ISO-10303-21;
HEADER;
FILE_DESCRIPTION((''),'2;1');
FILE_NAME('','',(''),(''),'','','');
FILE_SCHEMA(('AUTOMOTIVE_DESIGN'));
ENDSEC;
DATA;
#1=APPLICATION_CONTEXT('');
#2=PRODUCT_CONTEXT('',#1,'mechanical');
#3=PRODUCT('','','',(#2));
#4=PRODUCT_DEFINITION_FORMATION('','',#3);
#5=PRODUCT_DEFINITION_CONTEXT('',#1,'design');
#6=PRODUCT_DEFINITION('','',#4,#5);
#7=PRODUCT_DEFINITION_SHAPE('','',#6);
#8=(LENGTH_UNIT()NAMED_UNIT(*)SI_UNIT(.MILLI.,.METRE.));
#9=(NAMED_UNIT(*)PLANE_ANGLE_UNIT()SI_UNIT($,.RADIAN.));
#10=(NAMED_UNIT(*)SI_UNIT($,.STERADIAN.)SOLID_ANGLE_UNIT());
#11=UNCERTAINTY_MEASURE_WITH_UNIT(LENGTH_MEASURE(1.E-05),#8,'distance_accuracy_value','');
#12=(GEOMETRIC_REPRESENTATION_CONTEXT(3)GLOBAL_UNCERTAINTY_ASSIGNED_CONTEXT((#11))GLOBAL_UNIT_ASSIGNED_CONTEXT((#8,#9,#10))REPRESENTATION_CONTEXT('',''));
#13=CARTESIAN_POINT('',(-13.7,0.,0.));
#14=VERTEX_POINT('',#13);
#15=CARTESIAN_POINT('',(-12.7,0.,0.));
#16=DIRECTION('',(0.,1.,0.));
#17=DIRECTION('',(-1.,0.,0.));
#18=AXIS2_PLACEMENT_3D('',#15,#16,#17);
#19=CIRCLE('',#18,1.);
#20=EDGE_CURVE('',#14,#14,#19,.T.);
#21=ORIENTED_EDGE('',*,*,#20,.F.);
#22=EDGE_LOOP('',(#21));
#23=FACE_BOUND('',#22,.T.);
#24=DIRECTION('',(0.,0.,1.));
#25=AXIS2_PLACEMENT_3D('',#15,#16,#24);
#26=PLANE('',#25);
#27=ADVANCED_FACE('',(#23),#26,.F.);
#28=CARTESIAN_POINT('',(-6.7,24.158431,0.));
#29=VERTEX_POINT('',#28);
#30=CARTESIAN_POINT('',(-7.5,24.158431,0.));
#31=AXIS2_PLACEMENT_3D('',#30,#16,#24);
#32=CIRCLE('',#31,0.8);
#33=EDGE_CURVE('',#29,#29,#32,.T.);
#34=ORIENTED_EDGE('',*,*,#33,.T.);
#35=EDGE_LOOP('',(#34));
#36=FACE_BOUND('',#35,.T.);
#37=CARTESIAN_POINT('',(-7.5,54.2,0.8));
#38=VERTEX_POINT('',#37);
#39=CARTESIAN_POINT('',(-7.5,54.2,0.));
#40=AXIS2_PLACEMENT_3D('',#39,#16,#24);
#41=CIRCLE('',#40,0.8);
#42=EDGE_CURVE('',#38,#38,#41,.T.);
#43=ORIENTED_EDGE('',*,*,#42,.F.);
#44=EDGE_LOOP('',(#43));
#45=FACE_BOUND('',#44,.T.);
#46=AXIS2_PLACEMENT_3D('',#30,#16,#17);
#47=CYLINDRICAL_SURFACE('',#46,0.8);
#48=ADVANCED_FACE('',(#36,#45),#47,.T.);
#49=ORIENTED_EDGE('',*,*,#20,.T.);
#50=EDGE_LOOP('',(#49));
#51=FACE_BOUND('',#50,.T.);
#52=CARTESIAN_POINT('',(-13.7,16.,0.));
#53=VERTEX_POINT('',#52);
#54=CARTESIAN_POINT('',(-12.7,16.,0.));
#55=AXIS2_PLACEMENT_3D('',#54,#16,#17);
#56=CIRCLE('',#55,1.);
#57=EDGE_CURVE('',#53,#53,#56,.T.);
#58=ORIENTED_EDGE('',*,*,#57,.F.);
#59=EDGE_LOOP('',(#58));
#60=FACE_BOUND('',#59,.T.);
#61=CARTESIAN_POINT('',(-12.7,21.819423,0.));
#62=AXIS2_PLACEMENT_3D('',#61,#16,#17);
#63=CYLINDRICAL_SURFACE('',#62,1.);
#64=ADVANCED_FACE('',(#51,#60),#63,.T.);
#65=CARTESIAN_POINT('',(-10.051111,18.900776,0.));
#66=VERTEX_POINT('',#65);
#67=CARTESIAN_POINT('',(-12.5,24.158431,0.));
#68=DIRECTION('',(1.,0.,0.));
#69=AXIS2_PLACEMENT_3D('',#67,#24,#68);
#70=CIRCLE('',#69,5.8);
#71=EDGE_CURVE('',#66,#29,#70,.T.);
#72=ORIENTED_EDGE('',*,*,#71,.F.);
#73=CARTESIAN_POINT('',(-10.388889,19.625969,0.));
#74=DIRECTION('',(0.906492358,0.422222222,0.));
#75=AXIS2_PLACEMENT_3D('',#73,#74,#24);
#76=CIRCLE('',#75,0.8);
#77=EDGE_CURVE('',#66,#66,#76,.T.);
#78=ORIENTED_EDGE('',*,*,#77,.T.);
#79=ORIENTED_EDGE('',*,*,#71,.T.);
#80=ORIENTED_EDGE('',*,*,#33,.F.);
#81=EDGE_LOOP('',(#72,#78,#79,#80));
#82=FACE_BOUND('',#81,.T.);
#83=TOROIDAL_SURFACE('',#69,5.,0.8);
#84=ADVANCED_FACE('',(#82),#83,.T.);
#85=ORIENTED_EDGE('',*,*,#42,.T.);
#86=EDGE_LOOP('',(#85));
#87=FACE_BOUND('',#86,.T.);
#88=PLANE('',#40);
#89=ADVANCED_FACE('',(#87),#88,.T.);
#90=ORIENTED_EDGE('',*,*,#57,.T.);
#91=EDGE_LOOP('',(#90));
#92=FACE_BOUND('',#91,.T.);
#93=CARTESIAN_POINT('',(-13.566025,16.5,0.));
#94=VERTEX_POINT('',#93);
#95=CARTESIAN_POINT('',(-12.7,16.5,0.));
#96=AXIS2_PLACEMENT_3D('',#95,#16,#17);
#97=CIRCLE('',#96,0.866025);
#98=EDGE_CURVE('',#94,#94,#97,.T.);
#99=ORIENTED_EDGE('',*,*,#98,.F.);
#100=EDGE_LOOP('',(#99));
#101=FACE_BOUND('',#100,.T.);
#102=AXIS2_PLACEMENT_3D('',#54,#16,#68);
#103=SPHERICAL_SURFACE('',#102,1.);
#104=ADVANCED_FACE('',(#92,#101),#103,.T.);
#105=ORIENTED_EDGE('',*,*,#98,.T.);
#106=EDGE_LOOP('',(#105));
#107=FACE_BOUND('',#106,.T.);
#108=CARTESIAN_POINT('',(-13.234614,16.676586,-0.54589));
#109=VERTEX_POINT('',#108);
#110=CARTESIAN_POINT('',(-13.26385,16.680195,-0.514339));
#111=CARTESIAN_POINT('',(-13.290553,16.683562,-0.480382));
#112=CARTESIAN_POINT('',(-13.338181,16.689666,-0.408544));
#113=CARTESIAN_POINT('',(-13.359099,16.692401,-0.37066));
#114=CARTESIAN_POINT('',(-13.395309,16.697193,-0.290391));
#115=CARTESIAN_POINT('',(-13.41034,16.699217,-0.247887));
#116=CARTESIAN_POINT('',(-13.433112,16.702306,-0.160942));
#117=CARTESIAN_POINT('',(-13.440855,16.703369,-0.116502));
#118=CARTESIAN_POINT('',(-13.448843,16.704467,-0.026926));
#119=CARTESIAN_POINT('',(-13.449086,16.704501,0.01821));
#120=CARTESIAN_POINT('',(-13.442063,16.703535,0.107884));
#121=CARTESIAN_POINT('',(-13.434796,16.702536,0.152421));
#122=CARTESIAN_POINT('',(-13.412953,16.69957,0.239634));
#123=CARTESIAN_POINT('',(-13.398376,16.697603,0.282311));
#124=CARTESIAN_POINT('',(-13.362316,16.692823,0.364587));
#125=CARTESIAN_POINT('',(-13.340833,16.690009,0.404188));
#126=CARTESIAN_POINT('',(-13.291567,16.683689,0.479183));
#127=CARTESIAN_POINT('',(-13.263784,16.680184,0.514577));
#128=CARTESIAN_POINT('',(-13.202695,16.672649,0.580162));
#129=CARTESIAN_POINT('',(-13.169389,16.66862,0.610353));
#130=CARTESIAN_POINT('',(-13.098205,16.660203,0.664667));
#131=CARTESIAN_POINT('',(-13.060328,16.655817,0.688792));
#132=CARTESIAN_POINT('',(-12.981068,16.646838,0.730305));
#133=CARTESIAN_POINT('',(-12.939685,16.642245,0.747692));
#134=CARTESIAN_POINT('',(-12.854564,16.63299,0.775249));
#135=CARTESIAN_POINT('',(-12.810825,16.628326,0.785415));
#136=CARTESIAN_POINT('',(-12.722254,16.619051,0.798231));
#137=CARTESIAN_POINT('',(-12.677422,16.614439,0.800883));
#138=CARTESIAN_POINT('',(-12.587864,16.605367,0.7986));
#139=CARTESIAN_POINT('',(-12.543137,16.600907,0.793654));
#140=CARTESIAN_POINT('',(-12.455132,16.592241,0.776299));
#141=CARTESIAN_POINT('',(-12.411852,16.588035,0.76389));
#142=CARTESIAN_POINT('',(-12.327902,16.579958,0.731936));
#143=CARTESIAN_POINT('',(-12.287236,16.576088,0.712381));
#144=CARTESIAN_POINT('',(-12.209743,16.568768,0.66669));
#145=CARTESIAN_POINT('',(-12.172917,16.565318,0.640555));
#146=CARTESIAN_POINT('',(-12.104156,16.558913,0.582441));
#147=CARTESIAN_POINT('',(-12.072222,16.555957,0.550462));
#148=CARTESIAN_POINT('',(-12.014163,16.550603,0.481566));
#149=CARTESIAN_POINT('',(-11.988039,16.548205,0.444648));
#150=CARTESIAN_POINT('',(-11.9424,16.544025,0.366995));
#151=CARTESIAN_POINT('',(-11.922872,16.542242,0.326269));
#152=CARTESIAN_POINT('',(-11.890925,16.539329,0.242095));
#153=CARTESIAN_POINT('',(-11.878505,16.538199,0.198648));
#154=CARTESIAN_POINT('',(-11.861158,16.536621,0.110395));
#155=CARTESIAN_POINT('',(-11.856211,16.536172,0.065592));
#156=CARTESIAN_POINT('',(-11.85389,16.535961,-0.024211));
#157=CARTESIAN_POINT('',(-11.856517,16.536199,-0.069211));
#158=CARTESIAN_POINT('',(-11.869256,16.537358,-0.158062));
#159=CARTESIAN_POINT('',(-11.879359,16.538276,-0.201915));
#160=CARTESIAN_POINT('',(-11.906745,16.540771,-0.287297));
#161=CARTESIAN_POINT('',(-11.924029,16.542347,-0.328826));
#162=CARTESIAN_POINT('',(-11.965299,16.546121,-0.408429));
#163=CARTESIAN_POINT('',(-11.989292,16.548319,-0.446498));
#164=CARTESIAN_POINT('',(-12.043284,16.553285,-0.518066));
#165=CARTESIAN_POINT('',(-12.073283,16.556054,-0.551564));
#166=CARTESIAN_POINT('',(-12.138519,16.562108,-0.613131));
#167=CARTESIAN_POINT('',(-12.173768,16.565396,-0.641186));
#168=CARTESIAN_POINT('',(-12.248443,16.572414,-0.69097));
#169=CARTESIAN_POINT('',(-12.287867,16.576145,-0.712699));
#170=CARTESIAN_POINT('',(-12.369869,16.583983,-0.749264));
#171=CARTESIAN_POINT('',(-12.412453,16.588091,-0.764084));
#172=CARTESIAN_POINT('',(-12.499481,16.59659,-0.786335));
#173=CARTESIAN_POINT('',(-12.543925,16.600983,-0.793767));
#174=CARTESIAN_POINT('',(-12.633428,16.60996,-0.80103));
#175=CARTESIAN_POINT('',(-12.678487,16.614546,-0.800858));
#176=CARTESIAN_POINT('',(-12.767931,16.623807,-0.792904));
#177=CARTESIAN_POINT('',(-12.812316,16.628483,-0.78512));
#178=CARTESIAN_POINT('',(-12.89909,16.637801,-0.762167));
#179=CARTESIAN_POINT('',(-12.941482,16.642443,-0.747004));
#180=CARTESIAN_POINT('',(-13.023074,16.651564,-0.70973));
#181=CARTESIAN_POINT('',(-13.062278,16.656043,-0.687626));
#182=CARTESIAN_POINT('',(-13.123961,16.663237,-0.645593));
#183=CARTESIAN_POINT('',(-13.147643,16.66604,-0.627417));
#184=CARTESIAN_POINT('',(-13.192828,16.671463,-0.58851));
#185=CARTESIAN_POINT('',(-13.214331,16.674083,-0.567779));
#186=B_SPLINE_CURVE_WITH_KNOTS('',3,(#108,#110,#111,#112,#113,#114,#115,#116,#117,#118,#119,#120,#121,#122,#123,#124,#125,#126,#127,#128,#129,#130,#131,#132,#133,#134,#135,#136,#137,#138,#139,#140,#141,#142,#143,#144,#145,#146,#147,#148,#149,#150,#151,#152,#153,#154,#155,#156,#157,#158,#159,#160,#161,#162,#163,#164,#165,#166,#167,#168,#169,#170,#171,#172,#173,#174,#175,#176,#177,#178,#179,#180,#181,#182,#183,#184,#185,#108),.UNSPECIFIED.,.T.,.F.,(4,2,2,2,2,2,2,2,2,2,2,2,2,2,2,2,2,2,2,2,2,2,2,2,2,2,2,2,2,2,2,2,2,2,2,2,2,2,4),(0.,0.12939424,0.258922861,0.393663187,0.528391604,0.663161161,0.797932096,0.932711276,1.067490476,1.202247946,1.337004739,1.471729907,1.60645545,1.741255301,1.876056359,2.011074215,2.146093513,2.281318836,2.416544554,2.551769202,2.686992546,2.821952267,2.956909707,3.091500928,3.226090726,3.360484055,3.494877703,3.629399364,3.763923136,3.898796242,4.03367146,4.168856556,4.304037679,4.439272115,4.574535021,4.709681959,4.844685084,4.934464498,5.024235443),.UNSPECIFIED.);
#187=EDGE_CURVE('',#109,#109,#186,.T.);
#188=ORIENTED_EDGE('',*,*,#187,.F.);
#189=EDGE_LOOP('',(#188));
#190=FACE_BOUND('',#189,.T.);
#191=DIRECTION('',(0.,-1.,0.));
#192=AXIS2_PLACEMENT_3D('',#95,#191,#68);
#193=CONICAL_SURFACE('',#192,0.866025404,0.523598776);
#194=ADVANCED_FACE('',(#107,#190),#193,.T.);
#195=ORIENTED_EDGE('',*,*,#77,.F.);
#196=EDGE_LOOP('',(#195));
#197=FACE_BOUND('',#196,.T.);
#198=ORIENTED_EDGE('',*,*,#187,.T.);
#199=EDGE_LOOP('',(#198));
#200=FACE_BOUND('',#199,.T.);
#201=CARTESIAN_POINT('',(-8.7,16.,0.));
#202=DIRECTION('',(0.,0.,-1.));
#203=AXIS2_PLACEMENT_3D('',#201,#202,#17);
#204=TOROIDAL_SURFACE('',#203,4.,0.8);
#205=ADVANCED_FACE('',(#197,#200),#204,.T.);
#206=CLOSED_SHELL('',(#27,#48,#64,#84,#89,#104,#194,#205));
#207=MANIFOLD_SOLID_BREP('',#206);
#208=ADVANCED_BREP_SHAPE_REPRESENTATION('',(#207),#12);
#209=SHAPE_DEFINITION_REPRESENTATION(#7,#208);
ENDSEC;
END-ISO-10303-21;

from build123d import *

# Parameters (mm, degrees)
SKETCH2_R = 0.8


with BuildPart() as part:
    # Sweep1: sweep along a path in Sketch1
    with BuildLine(Plane.XY) as sweep1_path:
        Line((-7.5, 54.2), (-7.5, 24.158431222))
        ThreePointArc((-7.5, 24.158431222), (-8.283629786, 21.471011972), (-10.388888889, 19.625969432))
        ThreePointArc((-10.388888889, 19.625969432), (-12.073096171, 18.1499354), (-12.7, 16))
        Line((-12.7, 16), (-12.7, 0))
    # Sketch2 → Sweep1 (sweep)
    with BuildSketch(Plane(origin=(0, 0, 0), x_dir=(1, 0, 0), z_dir=(0, 1, 0))):
        with Locations((-12.7, 0)):
            Circle(SKETCH2_R)
    sweep(path=sweep1_path.line)

    # Sketch3 → Revolve1 (revolve)
    with BuildSketch(Plane.XY):
        with BuildLine():
            Line((-12.7, 0), (-11.7, 0))
            Line((-11.7, 0), (-11.7, 16))
            ThreePointArc((-11.7, 16), (-11.734074174, 16.258819045), (-11.833974596, 16.5))
            Line((-11.833974596, 16.5), (-12.7, 18))
            Line((-12.7, 18), (-12.7, 0))
        make_face()
    revolve(axis=Axis((-12.7, 21.819423219, 0), (0, -1, 0)))


solid = part.part
